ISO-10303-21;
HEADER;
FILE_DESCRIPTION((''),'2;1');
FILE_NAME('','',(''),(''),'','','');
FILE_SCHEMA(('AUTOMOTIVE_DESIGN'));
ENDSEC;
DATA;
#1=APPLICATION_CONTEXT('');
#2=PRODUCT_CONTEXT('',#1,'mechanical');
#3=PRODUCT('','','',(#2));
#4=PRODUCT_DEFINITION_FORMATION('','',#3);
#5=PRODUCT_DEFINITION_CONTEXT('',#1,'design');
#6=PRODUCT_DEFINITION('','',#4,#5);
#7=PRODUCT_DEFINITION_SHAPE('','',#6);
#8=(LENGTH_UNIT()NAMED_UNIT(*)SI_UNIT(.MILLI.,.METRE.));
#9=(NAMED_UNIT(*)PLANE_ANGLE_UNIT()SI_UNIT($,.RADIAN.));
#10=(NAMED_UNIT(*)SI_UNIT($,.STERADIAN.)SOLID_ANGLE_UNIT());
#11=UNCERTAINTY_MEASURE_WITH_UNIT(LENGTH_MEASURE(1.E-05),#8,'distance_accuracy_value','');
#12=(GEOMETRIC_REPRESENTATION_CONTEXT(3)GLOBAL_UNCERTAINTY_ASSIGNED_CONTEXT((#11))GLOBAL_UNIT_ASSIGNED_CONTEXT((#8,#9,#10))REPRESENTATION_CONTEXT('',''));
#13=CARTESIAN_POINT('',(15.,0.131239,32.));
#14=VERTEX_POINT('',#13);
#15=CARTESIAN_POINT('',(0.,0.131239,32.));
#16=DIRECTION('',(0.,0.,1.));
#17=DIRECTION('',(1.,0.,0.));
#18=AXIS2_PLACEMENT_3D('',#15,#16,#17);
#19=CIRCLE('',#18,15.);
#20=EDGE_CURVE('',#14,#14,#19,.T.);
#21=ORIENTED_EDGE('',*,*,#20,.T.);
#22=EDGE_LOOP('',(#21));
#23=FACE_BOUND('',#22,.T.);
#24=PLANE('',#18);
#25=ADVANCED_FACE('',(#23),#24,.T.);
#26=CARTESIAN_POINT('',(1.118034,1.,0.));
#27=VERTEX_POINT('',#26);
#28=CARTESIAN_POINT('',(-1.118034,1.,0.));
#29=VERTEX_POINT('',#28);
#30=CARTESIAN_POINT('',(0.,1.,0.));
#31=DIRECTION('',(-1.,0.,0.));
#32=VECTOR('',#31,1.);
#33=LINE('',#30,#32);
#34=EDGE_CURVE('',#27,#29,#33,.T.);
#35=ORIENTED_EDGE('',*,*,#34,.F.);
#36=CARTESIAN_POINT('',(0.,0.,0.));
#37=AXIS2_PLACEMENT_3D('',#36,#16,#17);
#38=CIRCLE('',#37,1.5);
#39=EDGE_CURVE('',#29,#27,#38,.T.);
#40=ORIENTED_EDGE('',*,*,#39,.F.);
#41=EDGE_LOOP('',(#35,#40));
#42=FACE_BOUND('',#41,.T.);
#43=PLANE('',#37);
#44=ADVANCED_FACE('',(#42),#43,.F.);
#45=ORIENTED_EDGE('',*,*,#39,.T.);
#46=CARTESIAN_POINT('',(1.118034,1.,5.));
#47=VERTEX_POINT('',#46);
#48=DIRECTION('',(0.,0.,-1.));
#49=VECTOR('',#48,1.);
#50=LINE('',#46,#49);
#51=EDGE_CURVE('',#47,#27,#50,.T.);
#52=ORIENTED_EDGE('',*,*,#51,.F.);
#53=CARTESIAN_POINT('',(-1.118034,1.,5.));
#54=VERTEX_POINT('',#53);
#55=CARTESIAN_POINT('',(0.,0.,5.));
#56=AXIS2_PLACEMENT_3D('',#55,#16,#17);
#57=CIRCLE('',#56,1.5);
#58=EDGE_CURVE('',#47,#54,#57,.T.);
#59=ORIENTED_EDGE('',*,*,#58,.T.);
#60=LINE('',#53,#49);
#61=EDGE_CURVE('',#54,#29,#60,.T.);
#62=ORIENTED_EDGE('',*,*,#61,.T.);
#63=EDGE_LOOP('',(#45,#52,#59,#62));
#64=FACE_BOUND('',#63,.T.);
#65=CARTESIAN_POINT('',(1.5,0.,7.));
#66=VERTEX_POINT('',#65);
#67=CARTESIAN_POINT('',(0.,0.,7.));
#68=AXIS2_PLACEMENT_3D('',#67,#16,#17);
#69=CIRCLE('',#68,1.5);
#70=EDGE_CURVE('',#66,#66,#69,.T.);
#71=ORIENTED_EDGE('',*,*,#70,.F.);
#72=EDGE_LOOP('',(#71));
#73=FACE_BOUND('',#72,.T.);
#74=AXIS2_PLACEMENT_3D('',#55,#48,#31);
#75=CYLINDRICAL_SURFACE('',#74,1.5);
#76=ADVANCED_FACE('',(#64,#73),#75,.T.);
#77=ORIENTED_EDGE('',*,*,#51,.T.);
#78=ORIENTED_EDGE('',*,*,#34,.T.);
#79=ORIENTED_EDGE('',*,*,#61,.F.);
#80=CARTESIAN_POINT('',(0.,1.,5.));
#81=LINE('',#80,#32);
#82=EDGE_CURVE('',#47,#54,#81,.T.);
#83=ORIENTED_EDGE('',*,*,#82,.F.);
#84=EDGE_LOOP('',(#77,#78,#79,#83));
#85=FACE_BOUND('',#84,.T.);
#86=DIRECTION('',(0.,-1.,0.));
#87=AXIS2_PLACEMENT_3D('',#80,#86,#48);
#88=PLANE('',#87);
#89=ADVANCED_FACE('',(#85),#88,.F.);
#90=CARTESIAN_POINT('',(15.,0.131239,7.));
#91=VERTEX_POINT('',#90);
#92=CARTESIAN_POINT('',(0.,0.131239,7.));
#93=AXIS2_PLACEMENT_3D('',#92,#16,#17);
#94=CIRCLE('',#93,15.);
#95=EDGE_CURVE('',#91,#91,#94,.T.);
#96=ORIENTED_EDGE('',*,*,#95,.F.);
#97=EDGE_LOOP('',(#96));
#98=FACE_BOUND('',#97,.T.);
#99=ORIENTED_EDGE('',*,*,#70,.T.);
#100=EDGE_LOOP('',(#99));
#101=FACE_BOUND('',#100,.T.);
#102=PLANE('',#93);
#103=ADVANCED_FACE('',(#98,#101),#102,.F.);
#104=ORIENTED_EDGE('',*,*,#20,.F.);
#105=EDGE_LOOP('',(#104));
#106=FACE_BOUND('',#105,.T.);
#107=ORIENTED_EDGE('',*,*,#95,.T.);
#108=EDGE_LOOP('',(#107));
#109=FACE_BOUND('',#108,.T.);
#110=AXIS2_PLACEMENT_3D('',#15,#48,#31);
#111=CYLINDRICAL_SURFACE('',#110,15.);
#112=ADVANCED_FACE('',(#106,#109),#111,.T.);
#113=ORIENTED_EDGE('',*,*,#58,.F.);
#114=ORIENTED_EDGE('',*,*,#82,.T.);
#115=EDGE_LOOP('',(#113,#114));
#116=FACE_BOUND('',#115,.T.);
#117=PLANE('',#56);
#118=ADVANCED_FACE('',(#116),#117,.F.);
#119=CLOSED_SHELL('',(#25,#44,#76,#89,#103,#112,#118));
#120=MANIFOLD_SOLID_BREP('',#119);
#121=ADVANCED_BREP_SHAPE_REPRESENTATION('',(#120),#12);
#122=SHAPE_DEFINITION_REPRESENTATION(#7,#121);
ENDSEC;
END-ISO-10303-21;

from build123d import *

# Parameters (mm, degrees)
BOSS_EXTRU_1_DEPTH = 5
ESQUISSE2_R        = 1.5
BOSS_EXTRU_2_DEPTH = 2
ESQUISSE3_R        = 15
BOSS_EXTRU_3_DEPTH = 25


with BuildPart() as part:
    # Esquisse1 → Boss.-Extru.1 (new body)
    with BuildSketch(Plane.XY):
        with BuildLine():
            ThreePointArc((-1.118033989, 1), (-1.369306394, -0.612372436), (0, -1.5))
            Line((0, -1.5), (0, 1))
            Line((0, 1), (-1.118033989, 1))
        make_face()
        with BuildLine():
            Line((0, 1), (0, -1.5))
            ThreePointArc((0, -1.5), (1.060660172, -1.060660172), (1.5, 0))
            ThreePointArc((1.5, 0), (1.401258538, 0.535233135), (1.118033989, 1))
            Line((1.118033989, 1), (0, 1))
        make_face()
    extrude(amount=BOSS_EXTRU_1_DEPTH)

    # Esquisse2 → Boss.-Extru.2 (add)
    with BuildSketch(Plane.XY.offset(5)):
        with Locations(Location((0, 0, 0), (0, 0, 138.189685104))):
            Circle(ESQUISSE2_R)
    extrude(amount=BOSS_EXTRU_2_DEPTH)

    # Esquisse3 → Boss.-Extru.3 (add)
    with BuildSketch(Plane.XY.offset(7)):
        with Locations((0, 0.131238961)):
            Circle(ESQUISSE3_R)
    extrude(amount=BOSS_EXTRU_3_DEPTH)


solid = part.part
